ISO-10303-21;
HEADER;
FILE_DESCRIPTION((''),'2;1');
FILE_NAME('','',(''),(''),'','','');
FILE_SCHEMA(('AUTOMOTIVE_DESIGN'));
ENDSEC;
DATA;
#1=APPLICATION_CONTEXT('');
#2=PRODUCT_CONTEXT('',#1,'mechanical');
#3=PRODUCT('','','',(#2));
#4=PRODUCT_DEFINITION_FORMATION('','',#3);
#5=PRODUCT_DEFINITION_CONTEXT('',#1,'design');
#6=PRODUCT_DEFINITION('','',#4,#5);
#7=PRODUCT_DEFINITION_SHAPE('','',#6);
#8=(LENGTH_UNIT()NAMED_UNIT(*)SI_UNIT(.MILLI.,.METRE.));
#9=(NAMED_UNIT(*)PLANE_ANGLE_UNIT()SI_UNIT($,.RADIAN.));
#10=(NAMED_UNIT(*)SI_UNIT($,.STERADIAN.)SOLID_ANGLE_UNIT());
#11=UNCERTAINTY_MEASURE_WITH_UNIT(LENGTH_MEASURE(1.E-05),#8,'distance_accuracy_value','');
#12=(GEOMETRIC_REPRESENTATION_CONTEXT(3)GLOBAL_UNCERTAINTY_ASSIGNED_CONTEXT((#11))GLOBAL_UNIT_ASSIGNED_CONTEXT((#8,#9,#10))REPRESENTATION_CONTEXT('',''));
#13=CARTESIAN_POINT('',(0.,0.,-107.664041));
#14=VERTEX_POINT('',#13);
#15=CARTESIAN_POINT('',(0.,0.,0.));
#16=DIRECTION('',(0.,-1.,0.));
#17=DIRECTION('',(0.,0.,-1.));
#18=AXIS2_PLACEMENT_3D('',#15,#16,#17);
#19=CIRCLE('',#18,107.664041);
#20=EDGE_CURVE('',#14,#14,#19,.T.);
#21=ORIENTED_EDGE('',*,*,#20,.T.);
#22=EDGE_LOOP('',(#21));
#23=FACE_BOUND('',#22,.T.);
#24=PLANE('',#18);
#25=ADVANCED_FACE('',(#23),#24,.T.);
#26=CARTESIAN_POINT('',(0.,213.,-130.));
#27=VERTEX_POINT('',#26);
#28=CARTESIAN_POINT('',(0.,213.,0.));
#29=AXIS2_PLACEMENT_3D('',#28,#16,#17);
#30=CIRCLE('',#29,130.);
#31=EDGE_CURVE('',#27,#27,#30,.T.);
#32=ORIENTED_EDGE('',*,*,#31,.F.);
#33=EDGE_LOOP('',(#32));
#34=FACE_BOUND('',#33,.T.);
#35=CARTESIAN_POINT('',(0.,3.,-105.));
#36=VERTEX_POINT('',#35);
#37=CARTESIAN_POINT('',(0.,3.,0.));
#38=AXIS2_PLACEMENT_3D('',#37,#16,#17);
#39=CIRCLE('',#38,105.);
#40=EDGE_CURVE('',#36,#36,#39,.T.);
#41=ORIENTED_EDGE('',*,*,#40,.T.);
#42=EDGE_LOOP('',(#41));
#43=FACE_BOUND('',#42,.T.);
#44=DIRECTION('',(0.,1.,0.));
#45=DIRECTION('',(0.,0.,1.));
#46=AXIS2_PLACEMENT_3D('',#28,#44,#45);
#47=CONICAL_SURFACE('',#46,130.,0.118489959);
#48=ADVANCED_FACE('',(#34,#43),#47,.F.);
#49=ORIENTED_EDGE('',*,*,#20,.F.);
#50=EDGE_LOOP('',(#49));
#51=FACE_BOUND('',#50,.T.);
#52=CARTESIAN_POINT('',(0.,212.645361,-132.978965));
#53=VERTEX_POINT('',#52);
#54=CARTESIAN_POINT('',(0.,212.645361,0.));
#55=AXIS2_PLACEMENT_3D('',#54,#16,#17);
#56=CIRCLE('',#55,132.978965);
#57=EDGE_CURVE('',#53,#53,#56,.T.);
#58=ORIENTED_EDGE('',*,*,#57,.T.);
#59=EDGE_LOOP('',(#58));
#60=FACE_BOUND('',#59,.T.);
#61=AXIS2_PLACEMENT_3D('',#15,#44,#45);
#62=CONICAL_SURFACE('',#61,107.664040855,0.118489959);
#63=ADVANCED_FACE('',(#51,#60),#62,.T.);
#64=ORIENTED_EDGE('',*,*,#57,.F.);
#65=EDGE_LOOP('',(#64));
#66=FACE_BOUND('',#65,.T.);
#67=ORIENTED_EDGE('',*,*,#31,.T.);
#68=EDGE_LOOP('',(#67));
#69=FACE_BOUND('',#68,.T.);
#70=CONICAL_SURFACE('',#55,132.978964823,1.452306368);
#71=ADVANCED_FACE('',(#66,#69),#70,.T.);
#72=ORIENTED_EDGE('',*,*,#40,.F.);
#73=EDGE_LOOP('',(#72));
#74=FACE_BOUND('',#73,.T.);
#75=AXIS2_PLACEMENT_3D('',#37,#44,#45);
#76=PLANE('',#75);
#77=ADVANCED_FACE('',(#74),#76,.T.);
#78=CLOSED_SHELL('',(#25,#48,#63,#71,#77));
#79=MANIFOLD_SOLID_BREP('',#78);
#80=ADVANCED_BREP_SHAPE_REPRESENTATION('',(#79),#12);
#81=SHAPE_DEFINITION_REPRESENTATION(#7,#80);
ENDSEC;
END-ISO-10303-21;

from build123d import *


with BuildPart() as part:
    # 草圖1 → 旋轉1 (revolve)
    with BuildSketch(Plane.XY, mode=Mode.PRIVATE) as revolve_1_sk:
        Polygon((0, 0), (107.664040855, 0), (132.978964823, 212.645361331), (130, 213), (105, 3), (0, 3), align=None)
    revolve(revolve_1_sk.sketch.rotate(Axis((0, 0, 0), (0, 1, 0)), 90), axis=Axis((0, 0, 0), (0, 1, 0)))


solid = part.part
